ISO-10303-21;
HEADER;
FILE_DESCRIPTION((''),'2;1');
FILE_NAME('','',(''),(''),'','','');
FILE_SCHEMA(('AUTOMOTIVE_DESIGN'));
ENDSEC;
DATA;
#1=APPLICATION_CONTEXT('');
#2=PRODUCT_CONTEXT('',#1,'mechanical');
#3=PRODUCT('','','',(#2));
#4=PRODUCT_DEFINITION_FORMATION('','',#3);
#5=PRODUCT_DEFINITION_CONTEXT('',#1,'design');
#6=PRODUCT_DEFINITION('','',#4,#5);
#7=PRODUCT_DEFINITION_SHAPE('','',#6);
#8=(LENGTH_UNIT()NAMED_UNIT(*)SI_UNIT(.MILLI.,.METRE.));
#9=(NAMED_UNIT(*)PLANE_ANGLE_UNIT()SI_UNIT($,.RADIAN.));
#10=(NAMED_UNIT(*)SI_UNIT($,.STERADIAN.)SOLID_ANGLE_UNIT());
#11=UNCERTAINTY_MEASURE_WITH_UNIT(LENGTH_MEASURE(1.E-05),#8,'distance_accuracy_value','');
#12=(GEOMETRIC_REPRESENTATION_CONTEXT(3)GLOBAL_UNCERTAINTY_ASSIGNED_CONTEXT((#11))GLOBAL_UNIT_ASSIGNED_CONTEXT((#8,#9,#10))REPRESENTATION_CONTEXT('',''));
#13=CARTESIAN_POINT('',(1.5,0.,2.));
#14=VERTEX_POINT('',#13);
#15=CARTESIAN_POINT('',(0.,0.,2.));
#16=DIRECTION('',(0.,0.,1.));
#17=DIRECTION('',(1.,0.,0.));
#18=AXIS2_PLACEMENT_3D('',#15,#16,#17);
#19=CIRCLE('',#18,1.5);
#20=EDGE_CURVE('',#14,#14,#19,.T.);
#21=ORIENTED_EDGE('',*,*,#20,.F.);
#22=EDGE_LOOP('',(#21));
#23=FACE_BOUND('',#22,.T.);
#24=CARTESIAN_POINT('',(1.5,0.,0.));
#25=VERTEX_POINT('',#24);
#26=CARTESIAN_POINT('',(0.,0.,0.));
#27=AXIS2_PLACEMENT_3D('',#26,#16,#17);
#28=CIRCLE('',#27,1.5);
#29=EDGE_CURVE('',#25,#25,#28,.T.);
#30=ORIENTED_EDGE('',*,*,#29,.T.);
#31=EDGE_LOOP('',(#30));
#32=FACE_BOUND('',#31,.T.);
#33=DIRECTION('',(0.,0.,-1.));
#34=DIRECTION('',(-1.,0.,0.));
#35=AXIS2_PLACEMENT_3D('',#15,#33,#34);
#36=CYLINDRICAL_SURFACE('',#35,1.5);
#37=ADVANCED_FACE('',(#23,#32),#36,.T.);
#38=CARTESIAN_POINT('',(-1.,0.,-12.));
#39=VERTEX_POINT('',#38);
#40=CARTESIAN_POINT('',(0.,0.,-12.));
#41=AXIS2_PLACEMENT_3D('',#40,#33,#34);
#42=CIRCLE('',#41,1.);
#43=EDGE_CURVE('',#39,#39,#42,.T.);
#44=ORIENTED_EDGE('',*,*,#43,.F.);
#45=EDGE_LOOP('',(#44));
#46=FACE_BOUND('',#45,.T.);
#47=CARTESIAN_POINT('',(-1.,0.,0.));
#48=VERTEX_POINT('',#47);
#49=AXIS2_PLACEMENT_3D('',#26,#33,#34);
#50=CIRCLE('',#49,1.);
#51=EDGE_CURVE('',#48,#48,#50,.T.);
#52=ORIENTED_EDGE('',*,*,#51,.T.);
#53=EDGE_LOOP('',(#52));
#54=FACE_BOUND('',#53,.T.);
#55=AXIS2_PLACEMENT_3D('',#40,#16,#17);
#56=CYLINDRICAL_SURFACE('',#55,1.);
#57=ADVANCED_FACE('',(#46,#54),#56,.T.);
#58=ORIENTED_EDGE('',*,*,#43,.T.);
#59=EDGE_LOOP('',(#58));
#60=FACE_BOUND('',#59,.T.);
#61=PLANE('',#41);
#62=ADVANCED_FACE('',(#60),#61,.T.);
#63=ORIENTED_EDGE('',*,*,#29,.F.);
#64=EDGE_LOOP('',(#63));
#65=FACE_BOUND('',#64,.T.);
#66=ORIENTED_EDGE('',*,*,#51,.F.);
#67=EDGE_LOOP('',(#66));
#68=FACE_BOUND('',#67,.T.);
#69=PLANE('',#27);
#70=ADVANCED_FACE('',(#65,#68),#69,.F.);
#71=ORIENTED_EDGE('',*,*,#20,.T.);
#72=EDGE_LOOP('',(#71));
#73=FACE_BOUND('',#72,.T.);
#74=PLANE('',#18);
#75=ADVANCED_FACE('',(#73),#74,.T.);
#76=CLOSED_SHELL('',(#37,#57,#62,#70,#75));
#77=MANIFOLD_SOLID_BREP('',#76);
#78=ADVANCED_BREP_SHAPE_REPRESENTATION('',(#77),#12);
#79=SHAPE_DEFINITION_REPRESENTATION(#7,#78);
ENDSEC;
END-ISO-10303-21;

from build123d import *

# Parameters (mm, degrees)
SKETCH_1_R      = 1.5
EXTRUDE_1_DEPTH = 2
SKETCH_2_R      = 1
EXTRUDE_3_DEPTH = 12


with BuildPart() as part:
    # 草图1 → 凸台-拉伸1 (new body)
    with BuildSketch(Plane.XY):
        Circle(SKETCH_1_R)
    extrude(amount=EXTRUDE_1_DEPTH)

    # 草图2 → 凸台-拉伸3 (add)
    with BuildSketch(Plane(origin=(0, 0, 0), x_dir=(-1, 0, 0), z_dir=(0, 0, -1))):
        Circle(SKETCH_2_R)
    extrude(amount=EXTRUDE_3_DEPTH)


solid = part.part
